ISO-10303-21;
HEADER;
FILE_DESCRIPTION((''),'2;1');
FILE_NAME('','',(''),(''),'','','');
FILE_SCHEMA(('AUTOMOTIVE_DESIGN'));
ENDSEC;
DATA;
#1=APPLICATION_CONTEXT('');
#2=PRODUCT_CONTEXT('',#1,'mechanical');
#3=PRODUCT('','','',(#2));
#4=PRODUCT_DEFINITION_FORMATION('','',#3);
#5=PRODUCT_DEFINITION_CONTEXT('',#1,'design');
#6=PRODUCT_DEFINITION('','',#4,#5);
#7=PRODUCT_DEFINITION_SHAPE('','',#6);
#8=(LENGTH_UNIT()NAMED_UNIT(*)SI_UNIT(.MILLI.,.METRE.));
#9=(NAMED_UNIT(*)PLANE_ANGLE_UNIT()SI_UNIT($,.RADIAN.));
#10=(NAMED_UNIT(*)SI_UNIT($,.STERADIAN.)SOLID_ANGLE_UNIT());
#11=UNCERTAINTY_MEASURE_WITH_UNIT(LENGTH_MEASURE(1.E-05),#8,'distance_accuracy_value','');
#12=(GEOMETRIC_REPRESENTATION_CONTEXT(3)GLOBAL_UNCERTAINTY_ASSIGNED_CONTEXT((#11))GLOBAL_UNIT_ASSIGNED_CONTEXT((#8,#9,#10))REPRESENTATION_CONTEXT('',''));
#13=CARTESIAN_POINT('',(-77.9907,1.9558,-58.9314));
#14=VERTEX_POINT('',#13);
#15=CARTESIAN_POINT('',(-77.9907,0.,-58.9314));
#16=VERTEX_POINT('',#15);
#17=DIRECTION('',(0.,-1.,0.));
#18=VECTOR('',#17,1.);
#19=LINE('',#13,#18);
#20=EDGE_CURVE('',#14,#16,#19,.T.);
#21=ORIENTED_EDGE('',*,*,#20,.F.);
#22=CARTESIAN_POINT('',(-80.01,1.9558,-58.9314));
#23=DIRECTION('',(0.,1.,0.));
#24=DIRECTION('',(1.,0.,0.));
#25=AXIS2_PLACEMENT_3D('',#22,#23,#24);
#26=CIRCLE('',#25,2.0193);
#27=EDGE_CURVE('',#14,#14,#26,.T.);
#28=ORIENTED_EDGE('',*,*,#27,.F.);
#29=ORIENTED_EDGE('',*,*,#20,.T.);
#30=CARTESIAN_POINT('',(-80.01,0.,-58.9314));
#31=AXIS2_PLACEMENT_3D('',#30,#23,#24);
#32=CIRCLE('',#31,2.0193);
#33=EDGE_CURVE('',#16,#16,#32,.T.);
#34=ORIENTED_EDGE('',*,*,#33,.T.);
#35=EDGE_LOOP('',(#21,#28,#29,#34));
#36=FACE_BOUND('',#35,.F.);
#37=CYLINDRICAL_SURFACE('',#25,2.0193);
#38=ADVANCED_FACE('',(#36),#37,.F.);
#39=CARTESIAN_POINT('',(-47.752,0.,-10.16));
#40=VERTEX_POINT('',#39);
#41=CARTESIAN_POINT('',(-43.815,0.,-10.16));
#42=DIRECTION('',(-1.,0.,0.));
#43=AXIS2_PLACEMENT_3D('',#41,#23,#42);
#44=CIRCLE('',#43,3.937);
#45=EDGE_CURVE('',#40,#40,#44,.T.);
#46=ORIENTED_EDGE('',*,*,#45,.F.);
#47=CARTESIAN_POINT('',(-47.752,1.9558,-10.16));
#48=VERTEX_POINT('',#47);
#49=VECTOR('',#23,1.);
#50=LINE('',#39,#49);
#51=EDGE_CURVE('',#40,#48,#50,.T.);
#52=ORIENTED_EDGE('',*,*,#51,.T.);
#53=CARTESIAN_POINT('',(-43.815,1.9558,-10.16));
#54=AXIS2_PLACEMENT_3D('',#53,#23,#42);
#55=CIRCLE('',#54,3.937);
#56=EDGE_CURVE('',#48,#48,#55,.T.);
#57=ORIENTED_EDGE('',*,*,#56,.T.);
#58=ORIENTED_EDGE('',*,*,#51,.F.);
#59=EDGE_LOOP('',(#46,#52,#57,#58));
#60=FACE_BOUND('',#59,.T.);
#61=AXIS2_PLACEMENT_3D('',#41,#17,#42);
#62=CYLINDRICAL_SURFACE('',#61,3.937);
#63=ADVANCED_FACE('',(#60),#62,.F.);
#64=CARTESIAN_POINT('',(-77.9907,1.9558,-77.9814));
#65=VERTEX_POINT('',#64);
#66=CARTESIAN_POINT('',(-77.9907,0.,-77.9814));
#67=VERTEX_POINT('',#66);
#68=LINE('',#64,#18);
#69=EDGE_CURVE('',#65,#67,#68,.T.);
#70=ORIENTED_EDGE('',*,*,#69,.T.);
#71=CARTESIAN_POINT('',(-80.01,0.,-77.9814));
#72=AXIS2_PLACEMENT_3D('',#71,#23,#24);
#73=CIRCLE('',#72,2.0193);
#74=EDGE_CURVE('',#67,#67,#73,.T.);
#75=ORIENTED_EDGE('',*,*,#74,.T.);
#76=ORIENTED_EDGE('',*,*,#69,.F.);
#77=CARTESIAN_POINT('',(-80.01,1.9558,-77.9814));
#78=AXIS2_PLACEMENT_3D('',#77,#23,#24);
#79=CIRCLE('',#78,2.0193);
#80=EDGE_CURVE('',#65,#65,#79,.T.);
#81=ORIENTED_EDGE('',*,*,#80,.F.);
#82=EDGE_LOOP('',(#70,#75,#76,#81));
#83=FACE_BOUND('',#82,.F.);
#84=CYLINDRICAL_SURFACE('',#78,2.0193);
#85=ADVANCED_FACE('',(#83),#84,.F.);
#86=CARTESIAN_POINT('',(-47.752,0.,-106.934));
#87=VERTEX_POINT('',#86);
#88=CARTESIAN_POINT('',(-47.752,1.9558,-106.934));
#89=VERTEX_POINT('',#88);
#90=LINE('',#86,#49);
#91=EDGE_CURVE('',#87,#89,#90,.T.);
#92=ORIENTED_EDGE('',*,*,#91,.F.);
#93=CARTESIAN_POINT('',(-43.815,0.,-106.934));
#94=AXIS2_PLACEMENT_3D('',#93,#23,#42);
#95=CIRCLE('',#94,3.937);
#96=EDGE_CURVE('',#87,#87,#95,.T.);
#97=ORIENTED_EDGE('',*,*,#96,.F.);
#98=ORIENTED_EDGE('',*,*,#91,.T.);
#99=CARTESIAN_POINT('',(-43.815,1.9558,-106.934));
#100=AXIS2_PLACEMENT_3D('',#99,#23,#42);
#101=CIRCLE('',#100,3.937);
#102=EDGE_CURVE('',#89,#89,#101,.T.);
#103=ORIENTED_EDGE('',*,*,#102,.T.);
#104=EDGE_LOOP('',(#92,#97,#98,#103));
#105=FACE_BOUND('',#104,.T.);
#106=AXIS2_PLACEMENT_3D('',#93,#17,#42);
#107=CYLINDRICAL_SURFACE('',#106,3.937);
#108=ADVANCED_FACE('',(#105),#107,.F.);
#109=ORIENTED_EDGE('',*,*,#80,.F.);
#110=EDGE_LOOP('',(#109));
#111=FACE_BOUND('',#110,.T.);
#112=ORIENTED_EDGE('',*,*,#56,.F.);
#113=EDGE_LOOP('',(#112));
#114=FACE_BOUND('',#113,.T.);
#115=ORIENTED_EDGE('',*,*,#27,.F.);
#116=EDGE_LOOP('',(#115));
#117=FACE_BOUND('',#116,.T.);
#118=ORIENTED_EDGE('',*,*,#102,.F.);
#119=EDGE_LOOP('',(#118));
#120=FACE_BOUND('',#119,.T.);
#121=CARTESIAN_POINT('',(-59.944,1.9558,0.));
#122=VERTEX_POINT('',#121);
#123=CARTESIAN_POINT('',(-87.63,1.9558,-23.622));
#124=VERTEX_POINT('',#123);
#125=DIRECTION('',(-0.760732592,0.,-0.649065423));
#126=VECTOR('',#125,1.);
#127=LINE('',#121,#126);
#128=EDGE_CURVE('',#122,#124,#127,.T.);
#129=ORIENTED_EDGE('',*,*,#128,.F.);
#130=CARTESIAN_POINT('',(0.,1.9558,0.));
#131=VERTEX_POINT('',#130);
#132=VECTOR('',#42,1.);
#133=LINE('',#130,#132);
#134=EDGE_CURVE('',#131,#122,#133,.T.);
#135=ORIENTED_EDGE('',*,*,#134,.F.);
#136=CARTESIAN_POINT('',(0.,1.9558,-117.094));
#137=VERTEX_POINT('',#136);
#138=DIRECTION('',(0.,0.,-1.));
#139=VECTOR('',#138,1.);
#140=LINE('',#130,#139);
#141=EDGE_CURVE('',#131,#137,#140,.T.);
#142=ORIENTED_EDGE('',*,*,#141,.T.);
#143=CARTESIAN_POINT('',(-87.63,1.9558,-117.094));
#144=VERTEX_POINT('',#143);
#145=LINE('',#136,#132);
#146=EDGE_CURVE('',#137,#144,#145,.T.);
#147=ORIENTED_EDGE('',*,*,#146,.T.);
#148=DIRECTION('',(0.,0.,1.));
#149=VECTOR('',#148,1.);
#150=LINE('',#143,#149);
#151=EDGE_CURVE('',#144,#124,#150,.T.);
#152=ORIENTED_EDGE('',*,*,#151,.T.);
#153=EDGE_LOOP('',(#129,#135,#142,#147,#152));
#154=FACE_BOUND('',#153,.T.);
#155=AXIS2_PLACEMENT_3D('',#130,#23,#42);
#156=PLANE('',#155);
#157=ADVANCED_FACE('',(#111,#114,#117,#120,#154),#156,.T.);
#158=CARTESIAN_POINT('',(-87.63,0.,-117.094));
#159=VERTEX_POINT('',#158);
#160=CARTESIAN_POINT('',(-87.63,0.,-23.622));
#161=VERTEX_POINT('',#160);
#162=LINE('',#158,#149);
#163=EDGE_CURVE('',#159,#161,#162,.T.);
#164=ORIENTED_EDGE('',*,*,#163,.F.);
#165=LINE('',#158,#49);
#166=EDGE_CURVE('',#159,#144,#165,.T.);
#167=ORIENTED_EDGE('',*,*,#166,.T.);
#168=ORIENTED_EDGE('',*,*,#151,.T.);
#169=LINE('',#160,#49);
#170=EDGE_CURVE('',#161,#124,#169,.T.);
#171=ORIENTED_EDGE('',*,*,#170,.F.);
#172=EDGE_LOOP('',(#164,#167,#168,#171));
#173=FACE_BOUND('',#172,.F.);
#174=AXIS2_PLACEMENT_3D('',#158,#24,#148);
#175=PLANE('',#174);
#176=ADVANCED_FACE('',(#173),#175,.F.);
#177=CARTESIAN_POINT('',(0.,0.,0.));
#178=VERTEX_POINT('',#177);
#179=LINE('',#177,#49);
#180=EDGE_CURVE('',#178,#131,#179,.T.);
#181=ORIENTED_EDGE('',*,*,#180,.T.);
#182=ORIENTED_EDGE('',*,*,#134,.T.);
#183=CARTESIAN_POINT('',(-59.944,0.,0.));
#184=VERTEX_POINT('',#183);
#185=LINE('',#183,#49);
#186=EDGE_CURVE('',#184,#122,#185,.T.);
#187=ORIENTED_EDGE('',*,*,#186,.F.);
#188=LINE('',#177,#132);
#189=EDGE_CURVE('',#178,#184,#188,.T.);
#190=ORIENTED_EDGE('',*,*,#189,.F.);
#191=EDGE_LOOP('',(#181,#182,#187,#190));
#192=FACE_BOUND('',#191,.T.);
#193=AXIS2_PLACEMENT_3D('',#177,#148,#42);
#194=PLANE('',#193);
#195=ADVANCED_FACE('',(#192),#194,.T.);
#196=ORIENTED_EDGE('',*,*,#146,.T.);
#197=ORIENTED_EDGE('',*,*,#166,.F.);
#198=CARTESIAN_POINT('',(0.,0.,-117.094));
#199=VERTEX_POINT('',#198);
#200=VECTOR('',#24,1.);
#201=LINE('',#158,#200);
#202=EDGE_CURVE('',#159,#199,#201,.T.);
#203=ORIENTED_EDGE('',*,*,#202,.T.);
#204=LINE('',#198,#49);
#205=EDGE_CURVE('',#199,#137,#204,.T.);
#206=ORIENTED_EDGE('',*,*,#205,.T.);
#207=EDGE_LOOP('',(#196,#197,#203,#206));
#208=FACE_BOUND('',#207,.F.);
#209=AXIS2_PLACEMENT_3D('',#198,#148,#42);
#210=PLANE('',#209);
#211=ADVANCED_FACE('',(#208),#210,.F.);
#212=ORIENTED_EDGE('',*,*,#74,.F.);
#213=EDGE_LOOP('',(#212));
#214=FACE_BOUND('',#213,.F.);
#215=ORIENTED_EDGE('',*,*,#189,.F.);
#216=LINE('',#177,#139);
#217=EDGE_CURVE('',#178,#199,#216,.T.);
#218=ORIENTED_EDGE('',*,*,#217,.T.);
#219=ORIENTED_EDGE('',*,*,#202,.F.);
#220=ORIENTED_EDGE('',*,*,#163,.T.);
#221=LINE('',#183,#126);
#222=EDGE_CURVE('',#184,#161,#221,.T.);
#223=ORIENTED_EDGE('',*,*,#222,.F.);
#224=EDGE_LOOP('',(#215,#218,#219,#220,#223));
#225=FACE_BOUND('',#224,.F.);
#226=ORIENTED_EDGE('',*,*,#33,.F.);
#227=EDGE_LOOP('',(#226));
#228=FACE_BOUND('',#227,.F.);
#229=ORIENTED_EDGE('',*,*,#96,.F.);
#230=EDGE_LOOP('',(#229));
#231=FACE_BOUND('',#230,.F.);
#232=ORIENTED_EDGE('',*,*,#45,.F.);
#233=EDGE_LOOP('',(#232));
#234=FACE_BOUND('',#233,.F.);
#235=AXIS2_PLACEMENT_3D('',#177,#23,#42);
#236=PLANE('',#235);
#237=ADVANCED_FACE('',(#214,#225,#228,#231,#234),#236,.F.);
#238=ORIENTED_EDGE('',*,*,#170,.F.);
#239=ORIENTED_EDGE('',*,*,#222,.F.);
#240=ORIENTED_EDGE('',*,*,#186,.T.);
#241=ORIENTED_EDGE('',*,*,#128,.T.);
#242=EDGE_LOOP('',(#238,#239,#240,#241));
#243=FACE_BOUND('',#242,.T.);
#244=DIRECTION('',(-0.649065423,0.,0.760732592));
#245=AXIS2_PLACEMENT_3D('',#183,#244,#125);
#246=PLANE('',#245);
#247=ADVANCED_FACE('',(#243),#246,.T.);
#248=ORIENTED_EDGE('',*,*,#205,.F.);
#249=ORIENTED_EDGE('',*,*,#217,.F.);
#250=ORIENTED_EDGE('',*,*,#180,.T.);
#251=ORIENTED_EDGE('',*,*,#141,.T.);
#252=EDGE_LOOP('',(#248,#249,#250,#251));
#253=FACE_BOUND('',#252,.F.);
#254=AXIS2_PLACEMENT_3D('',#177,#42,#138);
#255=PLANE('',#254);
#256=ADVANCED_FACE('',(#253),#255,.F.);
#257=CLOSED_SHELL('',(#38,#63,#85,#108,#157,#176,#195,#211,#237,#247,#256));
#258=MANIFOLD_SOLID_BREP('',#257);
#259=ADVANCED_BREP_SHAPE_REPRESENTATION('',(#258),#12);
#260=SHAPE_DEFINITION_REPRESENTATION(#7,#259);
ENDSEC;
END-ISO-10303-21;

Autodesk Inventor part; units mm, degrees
ref_plane "YZ Plane" through (0, 0, 0) normal (1, 0, 0) x (0, 1, 0)
ref_plane "XZ Plane" through (0, 0, 0) normal (0, 1, 0) x (-1, 0, 0)
ref_plane "XY Plane" through (0, 0, 0) normal (0, 0, 1) x (1, 0, 0)
sketch "Sketch1" plane through (0, 0, 0) normal (0, 1, 0) x (-1, 0, 0)
  line L0 (0, 0) -> (0, -117.094)
  line L1 (0, -117.094) -> (87.63, -117.094)
  line L2 (87.63, -117.094) -> (87.63, -23.622)
  line L3 (0, 0) -> (59.944, 0)
  line L4 (59.944, 0) -> (87.63, -23.622)
  circle A0 centre (43.815, -106.934) radius 3.937
  circle A1 centre (43.815, -10.16) radius 3.937
  line L5 (87.63, -117.094) -> (80.01, -117.094)
  dimension "d0" = 117.094
  dimension "d1" = 87.63
  dimension "d2" = 93.472
  dimension "d3" = 59.944
  dimension "d10" = 7.62
extrude "Extrusion3" add sketch "Sketch1" along normal blind 1.9558
sketch "Sketch2" plane through (0, 1.9558, 0) normal (0, 1, 0) x (1, 0, 0)
  line L0 (0, 117.094) -> (-87.63, 117.094) projected
  line L1 (-87.63, 117.094) -> (-87.63, 86.614)
  line L2 (-87.63, 117.094) -> (-87.63, 23.622) projected
  point P0 (0, 0)
  dimension "d19" = 30.48
sketch "Sketch3" plane through (0, 1.9558, 0) normal (0, 1, 0) x (1, 0, 0)
  line L0 (-83.82, 52.774) -> (-83.82, 84.1388) projected
  line L1 (-76.2, 52.774) -> (-83.82, 52.774) projected
  line L2 (-76.2, 84.1388) -> (-76.2, 52.774) projected
  line L3 (-76.2, 84.1388) -> (-83.82, 84.1388) projected
  circle A0 centre (-80.01, 58.9314) radius 2.0193 projected
  circle A1 centre (-80.01, 77.9814) radius 2.0193 projected
  point P0 (0, 0)
extrude "Extrusion4" cut sketch "Sketch3" against normal blind 25.4 contours A0 | A1
properties part number "Flywheel Motor Plate" material "Steel, Alloy"
